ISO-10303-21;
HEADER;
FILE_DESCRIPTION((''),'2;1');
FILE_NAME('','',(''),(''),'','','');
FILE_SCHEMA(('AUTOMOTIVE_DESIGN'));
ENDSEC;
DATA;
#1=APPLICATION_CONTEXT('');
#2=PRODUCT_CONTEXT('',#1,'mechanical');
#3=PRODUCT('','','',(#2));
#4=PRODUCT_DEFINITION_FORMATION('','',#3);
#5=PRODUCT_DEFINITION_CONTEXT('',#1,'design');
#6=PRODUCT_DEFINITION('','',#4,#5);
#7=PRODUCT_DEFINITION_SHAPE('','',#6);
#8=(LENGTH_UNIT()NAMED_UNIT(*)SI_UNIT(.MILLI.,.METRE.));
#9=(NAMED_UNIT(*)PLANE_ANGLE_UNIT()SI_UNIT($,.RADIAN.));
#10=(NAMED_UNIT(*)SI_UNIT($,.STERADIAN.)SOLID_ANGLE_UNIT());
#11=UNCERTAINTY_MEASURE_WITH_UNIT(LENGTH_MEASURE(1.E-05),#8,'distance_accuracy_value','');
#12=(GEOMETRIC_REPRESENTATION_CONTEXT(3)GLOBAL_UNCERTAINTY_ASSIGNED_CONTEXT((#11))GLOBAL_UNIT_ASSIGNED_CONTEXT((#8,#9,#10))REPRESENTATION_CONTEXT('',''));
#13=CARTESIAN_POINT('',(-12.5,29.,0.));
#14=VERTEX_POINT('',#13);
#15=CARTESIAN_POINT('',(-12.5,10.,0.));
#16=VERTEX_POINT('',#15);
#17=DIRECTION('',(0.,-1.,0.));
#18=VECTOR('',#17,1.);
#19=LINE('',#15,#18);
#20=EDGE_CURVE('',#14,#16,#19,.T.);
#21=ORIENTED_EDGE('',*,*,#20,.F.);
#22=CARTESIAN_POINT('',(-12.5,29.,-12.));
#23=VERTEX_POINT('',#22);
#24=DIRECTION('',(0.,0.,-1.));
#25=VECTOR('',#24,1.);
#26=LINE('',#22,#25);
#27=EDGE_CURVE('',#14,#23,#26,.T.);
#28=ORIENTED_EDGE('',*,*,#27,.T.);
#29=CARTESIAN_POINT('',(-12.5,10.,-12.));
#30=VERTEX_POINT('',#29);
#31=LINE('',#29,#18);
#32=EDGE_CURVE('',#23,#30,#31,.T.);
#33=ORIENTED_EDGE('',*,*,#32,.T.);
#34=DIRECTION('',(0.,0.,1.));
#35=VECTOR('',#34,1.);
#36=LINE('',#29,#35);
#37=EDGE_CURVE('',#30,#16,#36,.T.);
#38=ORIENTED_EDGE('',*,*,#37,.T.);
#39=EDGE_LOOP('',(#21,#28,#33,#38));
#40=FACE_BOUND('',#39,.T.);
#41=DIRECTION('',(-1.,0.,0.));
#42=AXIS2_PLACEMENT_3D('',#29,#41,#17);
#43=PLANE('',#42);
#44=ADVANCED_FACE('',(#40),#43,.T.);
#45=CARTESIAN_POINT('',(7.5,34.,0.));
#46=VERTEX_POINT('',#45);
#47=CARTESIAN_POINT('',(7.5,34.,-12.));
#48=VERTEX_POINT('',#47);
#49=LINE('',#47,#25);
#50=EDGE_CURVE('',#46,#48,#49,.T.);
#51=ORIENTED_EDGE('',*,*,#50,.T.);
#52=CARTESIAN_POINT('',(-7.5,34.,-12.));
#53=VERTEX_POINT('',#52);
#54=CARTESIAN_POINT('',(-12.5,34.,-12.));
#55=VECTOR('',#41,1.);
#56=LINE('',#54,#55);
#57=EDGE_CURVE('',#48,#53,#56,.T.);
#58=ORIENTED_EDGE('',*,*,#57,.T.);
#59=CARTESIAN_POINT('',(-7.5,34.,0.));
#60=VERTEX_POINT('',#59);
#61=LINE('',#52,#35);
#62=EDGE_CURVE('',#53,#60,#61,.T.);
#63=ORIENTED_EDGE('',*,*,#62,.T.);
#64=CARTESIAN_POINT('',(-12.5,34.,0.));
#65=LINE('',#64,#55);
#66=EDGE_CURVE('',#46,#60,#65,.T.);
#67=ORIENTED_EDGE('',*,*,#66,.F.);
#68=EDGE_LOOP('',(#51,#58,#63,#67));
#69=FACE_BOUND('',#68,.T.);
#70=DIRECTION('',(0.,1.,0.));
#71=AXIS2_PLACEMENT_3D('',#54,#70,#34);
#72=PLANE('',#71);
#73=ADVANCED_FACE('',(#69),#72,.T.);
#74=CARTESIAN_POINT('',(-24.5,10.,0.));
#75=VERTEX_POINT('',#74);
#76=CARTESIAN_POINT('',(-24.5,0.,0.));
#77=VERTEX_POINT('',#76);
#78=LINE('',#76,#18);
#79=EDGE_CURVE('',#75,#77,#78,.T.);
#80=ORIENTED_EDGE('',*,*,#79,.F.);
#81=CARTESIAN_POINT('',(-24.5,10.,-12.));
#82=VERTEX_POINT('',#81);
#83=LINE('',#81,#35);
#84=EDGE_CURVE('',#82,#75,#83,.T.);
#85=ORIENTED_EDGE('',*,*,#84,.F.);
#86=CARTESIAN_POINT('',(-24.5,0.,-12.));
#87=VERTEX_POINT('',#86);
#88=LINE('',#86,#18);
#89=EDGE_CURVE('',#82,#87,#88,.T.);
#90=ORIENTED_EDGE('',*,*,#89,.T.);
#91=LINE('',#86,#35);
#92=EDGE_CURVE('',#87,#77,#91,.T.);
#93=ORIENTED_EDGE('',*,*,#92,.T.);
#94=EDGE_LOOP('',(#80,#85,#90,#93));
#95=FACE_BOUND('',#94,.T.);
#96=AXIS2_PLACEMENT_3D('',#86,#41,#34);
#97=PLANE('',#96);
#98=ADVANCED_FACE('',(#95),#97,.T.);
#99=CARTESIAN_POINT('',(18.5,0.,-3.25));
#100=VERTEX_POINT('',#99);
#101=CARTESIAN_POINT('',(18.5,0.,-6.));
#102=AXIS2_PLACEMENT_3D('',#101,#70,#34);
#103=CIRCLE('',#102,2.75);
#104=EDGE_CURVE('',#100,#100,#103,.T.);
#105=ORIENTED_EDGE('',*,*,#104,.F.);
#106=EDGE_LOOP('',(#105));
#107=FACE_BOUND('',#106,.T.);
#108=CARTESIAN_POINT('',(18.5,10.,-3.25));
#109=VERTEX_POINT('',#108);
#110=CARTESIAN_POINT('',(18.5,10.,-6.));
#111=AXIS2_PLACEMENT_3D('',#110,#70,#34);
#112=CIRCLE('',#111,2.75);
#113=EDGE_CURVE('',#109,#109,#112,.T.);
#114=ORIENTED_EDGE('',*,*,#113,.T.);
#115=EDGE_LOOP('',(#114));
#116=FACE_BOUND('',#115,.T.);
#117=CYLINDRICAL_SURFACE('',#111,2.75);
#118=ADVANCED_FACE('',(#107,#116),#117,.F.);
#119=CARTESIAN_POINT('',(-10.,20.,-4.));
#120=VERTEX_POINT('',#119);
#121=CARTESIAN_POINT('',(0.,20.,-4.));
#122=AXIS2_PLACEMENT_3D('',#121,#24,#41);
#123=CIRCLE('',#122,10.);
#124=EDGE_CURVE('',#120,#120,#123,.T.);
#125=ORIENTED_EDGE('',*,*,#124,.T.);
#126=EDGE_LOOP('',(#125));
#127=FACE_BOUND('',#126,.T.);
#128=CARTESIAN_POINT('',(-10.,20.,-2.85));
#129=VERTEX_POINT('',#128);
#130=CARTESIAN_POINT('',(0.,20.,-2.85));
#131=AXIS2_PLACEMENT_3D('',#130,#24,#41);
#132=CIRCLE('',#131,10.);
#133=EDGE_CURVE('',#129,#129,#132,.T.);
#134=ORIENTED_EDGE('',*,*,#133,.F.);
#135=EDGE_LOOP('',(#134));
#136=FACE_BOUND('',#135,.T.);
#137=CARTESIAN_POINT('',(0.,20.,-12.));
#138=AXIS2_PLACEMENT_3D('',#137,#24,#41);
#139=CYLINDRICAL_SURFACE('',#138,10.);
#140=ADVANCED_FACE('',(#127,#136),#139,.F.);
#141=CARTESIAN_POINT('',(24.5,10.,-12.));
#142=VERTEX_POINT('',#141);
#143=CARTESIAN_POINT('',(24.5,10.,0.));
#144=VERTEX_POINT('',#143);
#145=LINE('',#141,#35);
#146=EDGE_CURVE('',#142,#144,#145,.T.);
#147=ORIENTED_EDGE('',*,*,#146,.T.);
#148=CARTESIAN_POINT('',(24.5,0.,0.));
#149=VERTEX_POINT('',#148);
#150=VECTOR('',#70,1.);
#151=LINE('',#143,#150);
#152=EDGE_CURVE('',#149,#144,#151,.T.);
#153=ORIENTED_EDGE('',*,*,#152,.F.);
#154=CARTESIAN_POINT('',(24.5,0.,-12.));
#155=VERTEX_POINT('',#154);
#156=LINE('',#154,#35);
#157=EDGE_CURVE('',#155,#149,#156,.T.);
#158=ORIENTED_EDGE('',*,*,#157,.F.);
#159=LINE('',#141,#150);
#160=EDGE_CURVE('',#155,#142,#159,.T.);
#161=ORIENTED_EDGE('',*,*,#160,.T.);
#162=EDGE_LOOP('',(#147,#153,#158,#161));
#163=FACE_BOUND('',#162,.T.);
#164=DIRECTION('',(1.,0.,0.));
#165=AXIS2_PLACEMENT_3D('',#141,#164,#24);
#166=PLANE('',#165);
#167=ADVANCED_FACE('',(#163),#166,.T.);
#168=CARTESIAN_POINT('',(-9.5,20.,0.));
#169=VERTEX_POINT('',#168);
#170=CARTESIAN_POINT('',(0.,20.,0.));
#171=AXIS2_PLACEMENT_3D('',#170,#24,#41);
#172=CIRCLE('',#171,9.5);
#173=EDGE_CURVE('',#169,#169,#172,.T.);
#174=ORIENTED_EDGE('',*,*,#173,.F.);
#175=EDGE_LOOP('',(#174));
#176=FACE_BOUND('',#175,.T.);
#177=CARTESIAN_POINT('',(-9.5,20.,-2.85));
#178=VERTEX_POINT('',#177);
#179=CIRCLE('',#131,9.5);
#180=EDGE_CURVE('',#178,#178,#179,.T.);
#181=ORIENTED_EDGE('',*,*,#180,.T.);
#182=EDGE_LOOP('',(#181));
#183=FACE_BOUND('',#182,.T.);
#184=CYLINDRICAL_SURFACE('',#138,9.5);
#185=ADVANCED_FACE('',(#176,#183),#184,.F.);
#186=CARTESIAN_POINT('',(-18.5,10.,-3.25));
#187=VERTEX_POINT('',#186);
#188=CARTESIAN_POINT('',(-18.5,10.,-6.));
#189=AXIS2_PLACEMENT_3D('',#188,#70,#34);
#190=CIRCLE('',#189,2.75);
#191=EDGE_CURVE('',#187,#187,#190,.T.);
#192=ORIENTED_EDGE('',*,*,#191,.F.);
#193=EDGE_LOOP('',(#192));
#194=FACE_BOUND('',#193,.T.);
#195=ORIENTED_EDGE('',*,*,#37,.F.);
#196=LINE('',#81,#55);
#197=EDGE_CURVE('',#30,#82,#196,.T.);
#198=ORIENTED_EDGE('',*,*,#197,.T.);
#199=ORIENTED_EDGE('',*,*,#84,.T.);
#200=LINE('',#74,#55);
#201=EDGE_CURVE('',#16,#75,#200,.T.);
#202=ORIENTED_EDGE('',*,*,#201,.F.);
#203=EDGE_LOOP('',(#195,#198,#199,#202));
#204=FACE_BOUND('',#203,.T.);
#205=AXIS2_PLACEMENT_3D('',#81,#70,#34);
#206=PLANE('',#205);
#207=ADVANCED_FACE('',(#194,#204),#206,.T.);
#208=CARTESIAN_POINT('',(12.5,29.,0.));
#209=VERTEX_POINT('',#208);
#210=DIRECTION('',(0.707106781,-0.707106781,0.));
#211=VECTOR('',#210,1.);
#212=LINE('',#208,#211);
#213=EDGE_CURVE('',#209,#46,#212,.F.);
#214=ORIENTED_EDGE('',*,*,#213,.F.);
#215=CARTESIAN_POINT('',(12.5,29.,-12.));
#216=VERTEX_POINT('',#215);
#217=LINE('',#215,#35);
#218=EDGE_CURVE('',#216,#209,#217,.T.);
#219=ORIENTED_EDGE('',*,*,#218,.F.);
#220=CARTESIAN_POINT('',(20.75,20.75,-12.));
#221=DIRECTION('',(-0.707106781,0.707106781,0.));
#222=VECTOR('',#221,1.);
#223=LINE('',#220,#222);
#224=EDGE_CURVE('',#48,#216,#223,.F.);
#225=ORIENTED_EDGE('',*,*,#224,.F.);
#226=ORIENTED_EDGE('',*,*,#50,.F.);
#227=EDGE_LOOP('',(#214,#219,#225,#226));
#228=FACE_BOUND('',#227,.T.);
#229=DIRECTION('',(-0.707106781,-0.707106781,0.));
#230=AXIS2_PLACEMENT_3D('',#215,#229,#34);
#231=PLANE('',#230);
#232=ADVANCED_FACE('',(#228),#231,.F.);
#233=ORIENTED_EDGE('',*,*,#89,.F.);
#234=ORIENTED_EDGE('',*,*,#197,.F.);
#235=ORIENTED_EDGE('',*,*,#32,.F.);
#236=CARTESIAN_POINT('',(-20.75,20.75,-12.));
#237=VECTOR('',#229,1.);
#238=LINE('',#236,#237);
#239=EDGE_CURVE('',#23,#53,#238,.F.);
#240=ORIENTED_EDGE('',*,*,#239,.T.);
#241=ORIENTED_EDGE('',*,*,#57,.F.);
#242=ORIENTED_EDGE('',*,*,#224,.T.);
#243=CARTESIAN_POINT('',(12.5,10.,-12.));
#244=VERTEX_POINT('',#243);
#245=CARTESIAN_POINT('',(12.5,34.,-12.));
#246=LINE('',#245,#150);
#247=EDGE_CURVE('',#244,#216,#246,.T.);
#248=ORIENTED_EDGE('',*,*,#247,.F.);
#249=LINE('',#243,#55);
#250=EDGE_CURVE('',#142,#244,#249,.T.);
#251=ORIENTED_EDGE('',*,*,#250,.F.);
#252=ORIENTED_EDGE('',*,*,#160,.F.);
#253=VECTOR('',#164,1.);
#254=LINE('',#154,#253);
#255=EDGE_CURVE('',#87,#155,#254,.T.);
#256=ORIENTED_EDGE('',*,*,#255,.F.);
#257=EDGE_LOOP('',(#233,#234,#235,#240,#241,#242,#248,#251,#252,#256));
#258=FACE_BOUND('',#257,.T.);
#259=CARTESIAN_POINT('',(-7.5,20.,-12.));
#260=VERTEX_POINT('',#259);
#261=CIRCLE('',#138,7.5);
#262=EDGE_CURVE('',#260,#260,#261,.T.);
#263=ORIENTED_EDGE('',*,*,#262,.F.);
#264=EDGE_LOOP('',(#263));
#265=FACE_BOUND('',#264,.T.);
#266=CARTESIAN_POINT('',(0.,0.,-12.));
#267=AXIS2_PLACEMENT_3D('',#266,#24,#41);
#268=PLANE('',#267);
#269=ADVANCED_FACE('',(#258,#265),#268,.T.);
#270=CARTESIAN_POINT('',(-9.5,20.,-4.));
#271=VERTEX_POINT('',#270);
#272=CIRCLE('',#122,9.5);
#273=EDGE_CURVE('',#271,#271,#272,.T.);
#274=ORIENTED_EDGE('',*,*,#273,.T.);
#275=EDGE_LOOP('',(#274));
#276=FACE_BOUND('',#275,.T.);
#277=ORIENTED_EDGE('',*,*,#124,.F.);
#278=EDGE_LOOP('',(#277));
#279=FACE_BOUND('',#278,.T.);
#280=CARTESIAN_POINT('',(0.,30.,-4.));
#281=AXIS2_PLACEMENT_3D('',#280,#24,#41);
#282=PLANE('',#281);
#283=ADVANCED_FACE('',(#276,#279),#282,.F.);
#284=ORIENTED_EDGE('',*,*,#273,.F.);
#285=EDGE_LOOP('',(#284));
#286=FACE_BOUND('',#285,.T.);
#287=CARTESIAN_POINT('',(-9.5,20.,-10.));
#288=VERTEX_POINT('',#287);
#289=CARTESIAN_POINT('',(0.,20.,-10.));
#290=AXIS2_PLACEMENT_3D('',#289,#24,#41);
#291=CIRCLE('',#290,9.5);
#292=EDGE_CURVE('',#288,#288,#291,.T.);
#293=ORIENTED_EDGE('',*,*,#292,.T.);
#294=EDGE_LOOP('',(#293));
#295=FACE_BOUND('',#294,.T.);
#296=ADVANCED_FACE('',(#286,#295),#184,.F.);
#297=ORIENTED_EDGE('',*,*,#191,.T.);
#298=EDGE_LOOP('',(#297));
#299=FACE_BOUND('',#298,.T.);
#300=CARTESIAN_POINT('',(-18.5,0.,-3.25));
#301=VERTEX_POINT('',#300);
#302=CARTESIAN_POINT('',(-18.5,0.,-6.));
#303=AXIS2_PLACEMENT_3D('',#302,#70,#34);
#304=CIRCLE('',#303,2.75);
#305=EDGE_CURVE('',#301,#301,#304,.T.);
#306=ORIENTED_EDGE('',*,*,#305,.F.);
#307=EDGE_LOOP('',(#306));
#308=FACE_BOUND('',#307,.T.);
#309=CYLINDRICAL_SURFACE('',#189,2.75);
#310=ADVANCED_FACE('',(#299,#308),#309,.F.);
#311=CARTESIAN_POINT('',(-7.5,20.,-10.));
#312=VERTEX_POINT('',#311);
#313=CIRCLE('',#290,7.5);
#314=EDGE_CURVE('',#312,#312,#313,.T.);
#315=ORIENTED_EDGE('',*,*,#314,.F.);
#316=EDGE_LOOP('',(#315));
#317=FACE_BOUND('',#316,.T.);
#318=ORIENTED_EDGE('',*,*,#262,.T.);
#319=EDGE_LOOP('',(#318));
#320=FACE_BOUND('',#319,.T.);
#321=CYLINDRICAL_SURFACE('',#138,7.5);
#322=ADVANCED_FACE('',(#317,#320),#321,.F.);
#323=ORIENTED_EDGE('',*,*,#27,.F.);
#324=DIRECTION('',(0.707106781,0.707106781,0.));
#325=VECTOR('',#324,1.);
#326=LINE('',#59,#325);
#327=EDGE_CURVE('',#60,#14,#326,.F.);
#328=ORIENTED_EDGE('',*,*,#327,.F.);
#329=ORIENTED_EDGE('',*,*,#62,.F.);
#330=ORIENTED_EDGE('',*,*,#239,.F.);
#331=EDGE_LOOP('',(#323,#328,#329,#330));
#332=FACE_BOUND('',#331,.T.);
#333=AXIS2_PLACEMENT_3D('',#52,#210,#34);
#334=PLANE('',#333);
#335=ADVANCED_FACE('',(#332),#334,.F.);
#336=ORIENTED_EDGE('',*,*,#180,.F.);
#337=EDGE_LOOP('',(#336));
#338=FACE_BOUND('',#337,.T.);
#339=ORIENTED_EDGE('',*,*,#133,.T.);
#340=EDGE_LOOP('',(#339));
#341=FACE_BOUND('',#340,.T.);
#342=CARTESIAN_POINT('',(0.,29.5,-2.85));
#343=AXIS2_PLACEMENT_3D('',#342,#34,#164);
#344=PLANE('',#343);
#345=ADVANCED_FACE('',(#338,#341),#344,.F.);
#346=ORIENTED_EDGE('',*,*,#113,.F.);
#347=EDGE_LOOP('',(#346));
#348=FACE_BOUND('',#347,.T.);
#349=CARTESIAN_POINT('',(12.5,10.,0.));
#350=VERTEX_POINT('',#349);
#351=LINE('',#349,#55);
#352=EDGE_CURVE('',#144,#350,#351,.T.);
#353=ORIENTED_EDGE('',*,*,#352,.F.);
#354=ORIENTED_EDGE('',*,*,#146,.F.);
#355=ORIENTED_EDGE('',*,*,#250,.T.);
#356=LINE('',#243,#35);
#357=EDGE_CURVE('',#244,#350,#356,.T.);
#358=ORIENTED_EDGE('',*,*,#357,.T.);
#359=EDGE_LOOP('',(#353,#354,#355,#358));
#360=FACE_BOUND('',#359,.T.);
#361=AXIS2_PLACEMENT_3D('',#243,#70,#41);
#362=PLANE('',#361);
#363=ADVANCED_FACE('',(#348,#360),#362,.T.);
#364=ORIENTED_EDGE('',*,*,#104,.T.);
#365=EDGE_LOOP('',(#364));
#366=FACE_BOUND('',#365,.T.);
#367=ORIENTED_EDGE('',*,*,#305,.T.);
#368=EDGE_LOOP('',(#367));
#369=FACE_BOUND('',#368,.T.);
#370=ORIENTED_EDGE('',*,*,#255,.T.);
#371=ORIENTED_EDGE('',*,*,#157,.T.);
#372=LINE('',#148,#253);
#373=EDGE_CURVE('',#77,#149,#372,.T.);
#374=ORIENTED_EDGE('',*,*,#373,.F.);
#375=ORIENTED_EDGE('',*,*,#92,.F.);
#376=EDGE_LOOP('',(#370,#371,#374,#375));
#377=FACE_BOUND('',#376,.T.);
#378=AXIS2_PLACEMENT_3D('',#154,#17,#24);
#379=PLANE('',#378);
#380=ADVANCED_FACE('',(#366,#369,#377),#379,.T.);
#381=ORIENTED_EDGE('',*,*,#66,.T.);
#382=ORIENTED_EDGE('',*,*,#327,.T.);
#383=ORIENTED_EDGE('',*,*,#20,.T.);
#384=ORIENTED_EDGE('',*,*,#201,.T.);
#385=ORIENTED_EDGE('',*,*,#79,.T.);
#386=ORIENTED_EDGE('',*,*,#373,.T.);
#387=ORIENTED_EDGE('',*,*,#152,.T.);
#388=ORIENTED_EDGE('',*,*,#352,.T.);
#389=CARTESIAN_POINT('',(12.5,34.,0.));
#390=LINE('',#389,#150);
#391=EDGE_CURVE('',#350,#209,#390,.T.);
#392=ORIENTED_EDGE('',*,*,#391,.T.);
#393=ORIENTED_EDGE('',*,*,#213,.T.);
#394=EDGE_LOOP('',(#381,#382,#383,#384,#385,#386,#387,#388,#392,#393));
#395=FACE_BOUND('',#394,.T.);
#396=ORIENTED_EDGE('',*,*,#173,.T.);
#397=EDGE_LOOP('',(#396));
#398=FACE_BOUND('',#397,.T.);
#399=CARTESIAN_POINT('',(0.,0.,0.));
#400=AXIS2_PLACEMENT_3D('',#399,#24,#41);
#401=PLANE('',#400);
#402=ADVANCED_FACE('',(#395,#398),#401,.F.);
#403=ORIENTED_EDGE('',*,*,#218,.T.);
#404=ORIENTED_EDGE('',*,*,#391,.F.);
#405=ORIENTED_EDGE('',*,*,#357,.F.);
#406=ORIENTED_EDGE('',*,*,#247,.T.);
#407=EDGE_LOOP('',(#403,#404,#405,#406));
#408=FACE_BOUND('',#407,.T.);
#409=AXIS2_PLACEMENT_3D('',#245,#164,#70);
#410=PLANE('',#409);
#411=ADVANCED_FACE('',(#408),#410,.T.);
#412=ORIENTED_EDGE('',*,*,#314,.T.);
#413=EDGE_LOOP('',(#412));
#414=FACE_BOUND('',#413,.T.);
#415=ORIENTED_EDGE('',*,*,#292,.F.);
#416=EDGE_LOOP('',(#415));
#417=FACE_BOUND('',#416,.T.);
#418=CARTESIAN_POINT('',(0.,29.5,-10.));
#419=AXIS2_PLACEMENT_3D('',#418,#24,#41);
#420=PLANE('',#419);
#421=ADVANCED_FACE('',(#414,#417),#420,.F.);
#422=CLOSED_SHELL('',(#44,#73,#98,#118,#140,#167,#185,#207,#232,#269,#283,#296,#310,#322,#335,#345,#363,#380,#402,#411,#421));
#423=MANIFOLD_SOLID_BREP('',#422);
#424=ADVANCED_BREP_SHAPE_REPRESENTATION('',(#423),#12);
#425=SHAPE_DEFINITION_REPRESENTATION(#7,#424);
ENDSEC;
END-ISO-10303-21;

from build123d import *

# Parameters (mm, degrees)
BOSS_EXTRUDE1_DEPTH = 12
DIAMETER_HOLE1_D    = 5.5
CHAMFER1_SIZE       = 5


with BuildPart() as part:
    # Sketch1 → Boss-Extrude1 (new body)
    with BuildSketch(Plane.XY):
        Polygon((-12.5, 34), (12.5, 34), (12.5, 10), (24.5, 10), (24.5, 0), (-24.5, 0), (-24.5, 10), (-12.5, 10), align=None)
    extrude(amount=-BOSS_EXTRUDE1_DEPTH)

    # Sketch2 → Cut-Revolve1 (revolve, cut)
    with BuildSketch(Plane(origin=(0, 0, 0), x_dir=(0, 0, -1), z_dir=(1, 0, 0))):
        Polygon((2.85, 29.5), (2.85, 30), (4, 30), (4, 29.5), (10, 29.5), (10, 27.5), (12, 27.5), (12, 20), (0, 20), (0, 29.5), align=None)
    revolve(axis=Axis((0, 20, -12), (0, 0, 1)), mode=Mode.SUBTRACT)

    # Diameter Hole1 (through all)
    with Locations(Plane(origin=(0, 10, 0), x_dir=(1, 0, 0), z_dir=(0, 1, 0))):
        with Locations((-18.5, 6), (18.5, 6)):
            Hole(DIAMETER_HOLE1_D / 2)

    # Chamfer1
    chamfer1_edges = [part.edges().sort_by_distance(p)[0] for p in [
        (-12.5, 34, -6),
        (12.5, 34, -6),
    ]]
    chamfer(chamfer1_edges, length=CHAMFER1_SIZE)


solid = part.part
